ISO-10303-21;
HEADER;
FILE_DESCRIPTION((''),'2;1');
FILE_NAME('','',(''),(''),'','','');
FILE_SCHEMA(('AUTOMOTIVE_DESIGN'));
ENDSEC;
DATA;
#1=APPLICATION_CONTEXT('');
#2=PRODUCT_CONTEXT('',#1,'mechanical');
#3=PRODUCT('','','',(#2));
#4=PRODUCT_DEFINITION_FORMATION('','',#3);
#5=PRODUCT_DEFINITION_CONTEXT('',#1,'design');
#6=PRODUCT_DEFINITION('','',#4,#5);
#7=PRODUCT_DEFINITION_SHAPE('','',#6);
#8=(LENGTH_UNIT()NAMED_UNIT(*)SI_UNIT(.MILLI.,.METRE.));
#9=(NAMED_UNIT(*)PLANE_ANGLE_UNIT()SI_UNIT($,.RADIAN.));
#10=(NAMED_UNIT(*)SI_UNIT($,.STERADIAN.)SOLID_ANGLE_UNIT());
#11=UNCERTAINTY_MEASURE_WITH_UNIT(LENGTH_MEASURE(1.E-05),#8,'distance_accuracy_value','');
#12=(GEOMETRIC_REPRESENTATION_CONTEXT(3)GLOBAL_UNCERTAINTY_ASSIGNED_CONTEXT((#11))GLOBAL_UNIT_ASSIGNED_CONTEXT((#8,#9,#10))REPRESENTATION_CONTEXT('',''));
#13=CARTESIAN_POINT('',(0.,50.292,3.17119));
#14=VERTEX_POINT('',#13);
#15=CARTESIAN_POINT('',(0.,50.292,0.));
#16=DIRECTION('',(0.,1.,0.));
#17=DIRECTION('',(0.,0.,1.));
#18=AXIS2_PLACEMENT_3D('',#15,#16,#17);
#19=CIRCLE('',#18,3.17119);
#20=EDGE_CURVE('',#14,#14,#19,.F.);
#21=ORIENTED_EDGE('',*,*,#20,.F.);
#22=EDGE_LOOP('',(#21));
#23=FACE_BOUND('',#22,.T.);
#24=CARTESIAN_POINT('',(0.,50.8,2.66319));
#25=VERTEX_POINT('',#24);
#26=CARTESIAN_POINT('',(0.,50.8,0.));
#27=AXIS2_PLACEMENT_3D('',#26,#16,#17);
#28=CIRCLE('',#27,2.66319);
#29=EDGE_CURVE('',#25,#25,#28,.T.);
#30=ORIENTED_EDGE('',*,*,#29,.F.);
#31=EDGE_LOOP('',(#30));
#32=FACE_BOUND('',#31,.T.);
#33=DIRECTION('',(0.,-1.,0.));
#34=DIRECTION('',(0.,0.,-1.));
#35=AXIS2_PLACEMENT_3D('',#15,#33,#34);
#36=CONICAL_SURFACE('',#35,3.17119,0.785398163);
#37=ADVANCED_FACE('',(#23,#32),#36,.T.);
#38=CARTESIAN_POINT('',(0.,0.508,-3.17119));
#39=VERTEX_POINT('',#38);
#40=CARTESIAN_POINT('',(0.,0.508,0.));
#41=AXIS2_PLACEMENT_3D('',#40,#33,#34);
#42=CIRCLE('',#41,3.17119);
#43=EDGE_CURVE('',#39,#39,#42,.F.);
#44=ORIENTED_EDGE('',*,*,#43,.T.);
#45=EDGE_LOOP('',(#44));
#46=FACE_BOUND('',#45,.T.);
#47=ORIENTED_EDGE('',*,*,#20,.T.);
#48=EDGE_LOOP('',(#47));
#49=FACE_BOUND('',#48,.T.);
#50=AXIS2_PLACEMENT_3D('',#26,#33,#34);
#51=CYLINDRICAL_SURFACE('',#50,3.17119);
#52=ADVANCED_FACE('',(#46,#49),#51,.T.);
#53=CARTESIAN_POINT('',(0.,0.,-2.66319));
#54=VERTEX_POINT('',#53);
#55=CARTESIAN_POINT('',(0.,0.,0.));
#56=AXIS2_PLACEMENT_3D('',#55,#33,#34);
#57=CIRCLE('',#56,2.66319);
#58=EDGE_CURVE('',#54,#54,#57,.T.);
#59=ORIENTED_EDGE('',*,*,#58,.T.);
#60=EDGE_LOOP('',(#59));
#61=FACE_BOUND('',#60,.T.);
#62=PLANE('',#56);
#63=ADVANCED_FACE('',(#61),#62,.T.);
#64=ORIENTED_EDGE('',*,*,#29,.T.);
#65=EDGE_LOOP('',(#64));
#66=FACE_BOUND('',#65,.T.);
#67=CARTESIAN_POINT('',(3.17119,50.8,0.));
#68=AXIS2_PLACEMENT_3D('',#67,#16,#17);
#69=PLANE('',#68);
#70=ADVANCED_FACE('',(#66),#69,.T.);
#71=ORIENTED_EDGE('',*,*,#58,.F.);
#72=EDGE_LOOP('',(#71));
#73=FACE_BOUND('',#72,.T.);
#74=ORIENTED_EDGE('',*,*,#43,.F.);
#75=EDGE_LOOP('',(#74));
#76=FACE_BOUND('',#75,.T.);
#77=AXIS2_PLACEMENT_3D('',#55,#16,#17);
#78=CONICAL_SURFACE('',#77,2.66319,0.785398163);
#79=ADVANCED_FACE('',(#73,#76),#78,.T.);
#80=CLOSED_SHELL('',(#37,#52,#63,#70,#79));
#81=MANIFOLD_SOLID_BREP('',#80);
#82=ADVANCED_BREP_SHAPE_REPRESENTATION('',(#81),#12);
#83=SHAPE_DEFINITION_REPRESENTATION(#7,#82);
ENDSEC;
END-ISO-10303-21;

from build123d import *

# Parameters (mm, degrees)
SKETCH1_W     = 3.17119
SKETCH1_H     = 50.8
CHAMFER1_SIZE = 0.508
CHAMFER2_SIZE = 0.508


with BuildPart() as part:
    # Sketch1 → Revolve1 (revolve)
    with BuildSketch(Plane.XY):
        with Locations((1.585595, 25.4)):
            Rectangle(SKETCH1_W, SKETCH1_H)
    revolve(axis=Axis((0, 50.8, 0), (0, -1, 0)))

    # Chamfer1
    chamfer1_edges = [part.edges().sort_by_distance(p)[0] for p in [
        (-3.17119, 0, 0),
    ]]
    chamfer(chamfer1_edges, length=CHAMFER1_SIZE)

    # Chamfer2
    chamfer2_edges = [part.edges().sort_by_distance(p)[0] for p in [
        (-3.17119, 50.8, 0),
    ]]
    chamfer(chamfer2_edges, length=CHAMFER2_SIZE)


solid = part.part
